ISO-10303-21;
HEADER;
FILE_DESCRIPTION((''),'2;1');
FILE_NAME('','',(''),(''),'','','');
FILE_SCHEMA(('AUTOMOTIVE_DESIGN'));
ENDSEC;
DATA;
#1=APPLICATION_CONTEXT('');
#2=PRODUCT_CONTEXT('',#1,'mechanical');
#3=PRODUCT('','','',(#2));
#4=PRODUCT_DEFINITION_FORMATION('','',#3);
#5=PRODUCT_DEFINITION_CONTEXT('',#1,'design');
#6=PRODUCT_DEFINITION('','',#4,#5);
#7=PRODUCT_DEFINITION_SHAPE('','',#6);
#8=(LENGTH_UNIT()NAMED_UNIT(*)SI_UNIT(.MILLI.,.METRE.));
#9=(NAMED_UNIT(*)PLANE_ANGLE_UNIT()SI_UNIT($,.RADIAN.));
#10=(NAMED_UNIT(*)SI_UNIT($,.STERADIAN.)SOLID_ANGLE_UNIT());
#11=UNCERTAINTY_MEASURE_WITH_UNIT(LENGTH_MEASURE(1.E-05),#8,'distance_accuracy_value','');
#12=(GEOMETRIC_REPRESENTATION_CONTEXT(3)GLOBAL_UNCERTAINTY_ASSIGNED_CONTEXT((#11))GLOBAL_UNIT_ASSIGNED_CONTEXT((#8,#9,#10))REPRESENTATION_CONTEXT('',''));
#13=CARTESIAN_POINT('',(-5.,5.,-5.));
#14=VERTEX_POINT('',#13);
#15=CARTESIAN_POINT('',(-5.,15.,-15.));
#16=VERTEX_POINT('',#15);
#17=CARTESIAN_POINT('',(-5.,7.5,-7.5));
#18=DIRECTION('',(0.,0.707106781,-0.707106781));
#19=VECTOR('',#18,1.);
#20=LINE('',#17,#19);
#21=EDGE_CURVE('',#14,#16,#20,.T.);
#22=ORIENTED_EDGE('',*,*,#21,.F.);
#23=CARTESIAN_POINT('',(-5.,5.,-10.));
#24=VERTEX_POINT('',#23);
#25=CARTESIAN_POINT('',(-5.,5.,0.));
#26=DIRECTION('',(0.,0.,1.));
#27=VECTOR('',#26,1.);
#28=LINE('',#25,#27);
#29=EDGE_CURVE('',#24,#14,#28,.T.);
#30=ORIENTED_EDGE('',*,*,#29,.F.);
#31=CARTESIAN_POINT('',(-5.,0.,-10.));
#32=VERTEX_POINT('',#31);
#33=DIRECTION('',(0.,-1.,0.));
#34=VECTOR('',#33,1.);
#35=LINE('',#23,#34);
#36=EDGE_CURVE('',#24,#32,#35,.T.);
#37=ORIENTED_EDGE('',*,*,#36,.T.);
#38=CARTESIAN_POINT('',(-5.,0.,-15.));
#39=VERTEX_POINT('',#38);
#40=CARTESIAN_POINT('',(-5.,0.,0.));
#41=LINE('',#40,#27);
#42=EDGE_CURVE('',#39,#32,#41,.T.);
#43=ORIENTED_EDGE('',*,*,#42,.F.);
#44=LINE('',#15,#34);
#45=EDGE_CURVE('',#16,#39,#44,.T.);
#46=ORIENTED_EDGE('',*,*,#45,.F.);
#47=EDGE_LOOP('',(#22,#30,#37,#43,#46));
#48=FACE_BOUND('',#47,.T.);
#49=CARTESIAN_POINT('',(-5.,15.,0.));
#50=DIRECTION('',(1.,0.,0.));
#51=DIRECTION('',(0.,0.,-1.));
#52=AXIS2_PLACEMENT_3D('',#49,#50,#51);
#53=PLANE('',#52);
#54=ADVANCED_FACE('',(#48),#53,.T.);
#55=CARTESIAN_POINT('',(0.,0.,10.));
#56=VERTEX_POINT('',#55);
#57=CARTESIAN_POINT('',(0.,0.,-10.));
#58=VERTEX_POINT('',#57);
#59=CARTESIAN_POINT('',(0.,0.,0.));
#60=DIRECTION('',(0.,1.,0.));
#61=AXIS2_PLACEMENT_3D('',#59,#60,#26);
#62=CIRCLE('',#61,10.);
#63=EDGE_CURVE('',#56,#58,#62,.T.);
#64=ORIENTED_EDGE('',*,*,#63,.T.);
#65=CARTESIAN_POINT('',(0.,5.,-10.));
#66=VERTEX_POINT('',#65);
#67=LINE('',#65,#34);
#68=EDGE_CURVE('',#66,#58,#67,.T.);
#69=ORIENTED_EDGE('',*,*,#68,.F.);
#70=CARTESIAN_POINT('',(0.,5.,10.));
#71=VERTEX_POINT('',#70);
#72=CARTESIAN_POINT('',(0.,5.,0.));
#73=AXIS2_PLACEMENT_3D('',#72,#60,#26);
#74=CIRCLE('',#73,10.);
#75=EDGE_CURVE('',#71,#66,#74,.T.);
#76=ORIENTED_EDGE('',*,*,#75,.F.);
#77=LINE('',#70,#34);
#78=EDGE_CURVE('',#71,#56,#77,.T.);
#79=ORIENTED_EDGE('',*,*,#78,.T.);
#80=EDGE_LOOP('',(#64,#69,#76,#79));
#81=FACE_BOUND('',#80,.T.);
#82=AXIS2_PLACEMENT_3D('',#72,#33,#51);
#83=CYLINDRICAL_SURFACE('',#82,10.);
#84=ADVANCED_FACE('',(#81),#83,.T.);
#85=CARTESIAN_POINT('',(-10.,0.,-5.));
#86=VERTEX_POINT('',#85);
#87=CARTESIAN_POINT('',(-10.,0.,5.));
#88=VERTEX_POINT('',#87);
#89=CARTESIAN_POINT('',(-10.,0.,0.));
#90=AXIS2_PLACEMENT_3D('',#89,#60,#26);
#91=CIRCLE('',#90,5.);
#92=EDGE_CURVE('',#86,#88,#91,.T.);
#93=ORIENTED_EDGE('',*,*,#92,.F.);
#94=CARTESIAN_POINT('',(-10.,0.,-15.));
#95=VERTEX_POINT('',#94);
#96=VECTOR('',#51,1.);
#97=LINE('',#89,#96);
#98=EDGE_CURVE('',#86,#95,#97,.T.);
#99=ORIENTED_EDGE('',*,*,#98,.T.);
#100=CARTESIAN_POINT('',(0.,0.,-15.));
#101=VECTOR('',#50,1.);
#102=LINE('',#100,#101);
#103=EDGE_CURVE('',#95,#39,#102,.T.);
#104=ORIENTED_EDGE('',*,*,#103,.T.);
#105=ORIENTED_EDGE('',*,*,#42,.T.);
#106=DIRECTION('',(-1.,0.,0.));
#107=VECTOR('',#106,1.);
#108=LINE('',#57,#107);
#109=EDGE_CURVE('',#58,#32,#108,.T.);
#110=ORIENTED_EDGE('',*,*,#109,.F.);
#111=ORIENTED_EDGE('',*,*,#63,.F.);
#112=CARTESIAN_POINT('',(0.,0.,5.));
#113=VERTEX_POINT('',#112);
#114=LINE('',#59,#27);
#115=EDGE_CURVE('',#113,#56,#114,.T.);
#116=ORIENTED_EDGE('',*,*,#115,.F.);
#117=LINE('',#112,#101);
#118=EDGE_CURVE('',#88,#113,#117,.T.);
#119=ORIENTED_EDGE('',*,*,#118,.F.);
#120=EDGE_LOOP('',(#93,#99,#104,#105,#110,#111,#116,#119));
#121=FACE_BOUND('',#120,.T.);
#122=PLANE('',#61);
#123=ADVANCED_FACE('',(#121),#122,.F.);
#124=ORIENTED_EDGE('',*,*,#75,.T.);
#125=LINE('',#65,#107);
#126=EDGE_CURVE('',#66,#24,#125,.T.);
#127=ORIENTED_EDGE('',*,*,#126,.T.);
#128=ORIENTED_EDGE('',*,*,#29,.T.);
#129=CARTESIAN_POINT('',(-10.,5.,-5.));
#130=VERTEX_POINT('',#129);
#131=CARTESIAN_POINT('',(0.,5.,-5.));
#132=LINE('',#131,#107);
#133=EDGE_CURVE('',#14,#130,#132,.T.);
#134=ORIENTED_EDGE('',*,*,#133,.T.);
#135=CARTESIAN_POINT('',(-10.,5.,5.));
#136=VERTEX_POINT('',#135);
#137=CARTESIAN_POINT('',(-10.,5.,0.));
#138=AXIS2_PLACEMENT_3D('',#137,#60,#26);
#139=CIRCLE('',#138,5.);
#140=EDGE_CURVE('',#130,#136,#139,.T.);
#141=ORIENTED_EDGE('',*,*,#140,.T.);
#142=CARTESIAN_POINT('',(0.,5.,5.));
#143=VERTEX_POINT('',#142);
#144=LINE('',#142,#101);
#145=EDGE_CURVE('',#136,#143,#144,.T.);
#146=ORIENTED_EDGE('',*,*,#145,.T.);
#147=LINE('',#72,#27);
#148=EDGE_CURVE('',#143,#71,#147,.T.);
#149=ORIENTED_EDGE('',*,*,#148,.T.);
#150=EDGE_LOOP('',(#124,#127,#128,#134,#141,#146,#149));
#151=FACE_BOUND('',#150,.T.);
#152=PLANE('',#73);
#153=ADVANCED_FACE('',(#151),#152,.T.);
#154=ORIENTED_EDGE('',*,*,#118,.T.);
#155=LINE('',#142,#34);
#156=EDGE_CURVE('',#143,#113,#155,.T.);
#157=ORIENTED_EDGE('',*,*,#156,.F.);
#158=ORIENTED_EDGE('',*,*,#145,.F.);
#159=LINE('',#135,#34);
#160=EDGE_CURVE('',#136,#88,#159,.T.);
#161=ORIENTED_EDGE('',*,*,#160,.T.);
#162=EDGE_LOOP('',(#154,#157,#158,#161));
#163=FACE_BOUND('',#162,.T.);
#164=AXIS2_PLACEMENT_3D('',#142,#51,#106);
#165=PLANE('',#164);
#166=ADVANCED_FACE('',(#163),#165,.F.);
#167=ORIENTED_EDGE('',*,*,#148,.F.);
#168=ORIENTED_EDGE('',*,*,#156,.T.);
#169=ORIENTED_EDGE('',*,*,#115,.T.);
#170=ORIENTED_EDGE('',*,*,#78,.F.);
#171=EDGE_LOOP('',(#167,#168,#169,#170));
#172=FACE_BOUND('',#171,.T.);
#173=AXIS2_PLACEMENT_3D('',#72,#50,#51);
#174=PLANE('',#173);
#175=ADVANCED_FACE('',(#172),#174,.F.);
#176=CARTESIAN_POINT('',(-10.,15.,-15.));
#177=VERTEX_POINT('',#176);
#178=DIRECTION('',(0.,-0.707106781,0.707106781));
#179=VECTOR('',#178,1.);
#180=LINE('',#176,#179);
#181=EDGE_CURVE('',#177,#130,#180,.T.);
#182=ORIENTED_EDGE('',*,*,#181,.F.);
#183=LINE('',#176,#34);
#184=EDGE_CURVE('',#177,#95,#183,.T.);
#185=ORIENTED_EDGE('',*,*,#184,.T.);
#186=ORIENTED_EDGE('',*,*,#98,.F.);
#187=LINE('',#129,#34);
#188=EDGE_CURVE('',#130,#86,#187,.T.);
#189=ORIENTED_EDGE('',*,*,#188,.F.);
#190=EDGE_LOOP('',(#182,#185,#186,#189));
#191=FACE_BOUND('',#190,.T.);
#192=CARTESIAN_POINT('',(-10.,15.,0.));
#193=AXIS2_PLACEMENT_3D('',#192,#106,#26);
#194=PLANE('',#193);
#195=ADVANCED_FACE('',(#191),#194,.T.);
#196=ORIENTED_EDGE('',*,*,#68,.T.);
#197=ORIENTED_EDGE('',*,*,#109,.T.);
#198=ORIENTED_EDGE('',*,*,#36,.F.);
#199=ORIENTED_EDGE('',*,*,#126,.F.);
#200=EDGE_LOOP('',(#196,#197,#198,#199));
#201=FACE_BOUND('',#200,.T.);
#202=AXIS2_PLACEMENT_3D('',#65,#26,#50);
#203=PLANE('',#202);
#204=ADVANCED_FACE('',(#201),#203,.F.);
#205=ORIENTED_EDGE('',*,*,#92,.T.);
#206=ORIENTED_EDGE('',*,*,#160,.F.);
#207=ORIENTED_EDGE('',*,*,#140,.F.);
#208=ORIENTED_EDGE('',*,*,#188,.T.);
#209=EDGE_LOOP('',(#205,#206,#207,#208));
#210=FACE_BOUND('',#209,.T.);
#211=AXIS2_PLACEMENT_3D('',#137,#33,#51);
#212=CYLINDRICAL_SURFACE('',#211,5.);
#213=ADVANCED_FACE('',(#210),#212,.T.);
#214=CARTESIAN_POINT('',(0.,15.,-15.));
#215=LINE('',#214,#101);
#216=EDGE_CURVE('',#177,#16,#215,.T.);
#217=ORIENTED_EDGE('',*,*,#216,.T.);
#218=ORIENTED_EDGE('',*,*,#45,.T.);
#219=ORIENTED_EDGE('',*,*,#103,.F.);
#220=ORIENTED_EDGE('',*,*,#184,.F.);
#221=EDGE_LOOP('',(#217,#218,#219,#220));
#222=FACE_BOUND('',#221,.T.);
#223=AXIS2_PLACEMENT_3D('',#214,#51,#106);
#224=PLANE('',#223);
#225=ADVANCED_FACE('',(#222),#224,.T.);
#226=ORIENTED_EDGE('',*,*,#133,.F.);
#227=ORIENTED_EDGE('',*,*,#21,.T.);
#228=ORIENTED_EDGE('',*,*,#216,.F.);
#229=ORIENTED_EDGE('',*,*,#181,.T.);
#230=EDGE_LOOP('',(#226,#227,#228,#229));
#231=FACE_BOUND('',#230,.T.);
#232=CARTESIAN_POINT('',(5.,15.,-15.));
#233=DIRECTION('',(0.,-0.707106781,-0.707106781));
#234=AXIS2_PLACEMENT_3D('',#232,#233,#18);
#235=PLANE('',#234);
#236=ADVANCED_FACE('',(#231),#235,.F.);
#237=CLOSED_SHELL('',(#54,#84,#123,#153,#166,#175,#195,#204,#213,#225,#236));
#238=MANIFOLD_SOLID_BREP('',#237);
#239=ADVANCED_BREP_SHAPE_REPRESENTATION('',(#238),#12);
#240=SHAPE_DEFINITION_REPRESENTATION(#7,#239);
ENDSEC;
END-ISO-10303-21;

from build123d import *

# Parameters (mm, degrees)
EXTRUDE_1_DEPTH     = 5
EXTRUDE_2_DEPTH     = 15
CUT_EXTRUDE_1_DEPTH = 15


with BuildPart() as part:
    # 草圖1 → 填料-伸長1 (new body)
    with BuildSketch(Plane(origin=(0, 0, 0), x_dir=(1, 0, 0), z_dir=(0, 1, 0))):
        with BuildLine():
            ThreePointArc((-10, 5), (-15, 0), (-10, -5))
            Line((-10, -5), (0, -5))
            Line((0, -5), (0, -10))
            ThreePointArc((0, -10), (10, 0), (0, 10))
            Line((0, 10), (-5, 10))
            Line((-5, 10), (-5, 5))
            Line((-5, 5), (-10, 5))
        make_face()
    extrude(amount=EXTRUDE_1_DEPTH)

    # 草圖1<3> → 填料-伸長2 (add)
    with BuildSketch(Plane(origin=(0, 0, 0), x_dir=(1, 0, 0), z_dir=(0, 1, 0))):
        Polygon((-10, 15), (-10, 5), (-5, 5), (-5, 10), (-5, 15), align=None)
    extrude(amount=EXTRUDE_2_DEPTH)

    # 草圖2 → 除料-伸長1 (cut)
    with BuildSketch(Plane.ZY.offset(10)):
        Polygon((-15, 15), (-5, 5), (-5, 15), align=None)
    extrude(amount=-CUT_EXTRUDE_1_DEPTH, mode=Mode.SUBTRACT)


solid = part.part
